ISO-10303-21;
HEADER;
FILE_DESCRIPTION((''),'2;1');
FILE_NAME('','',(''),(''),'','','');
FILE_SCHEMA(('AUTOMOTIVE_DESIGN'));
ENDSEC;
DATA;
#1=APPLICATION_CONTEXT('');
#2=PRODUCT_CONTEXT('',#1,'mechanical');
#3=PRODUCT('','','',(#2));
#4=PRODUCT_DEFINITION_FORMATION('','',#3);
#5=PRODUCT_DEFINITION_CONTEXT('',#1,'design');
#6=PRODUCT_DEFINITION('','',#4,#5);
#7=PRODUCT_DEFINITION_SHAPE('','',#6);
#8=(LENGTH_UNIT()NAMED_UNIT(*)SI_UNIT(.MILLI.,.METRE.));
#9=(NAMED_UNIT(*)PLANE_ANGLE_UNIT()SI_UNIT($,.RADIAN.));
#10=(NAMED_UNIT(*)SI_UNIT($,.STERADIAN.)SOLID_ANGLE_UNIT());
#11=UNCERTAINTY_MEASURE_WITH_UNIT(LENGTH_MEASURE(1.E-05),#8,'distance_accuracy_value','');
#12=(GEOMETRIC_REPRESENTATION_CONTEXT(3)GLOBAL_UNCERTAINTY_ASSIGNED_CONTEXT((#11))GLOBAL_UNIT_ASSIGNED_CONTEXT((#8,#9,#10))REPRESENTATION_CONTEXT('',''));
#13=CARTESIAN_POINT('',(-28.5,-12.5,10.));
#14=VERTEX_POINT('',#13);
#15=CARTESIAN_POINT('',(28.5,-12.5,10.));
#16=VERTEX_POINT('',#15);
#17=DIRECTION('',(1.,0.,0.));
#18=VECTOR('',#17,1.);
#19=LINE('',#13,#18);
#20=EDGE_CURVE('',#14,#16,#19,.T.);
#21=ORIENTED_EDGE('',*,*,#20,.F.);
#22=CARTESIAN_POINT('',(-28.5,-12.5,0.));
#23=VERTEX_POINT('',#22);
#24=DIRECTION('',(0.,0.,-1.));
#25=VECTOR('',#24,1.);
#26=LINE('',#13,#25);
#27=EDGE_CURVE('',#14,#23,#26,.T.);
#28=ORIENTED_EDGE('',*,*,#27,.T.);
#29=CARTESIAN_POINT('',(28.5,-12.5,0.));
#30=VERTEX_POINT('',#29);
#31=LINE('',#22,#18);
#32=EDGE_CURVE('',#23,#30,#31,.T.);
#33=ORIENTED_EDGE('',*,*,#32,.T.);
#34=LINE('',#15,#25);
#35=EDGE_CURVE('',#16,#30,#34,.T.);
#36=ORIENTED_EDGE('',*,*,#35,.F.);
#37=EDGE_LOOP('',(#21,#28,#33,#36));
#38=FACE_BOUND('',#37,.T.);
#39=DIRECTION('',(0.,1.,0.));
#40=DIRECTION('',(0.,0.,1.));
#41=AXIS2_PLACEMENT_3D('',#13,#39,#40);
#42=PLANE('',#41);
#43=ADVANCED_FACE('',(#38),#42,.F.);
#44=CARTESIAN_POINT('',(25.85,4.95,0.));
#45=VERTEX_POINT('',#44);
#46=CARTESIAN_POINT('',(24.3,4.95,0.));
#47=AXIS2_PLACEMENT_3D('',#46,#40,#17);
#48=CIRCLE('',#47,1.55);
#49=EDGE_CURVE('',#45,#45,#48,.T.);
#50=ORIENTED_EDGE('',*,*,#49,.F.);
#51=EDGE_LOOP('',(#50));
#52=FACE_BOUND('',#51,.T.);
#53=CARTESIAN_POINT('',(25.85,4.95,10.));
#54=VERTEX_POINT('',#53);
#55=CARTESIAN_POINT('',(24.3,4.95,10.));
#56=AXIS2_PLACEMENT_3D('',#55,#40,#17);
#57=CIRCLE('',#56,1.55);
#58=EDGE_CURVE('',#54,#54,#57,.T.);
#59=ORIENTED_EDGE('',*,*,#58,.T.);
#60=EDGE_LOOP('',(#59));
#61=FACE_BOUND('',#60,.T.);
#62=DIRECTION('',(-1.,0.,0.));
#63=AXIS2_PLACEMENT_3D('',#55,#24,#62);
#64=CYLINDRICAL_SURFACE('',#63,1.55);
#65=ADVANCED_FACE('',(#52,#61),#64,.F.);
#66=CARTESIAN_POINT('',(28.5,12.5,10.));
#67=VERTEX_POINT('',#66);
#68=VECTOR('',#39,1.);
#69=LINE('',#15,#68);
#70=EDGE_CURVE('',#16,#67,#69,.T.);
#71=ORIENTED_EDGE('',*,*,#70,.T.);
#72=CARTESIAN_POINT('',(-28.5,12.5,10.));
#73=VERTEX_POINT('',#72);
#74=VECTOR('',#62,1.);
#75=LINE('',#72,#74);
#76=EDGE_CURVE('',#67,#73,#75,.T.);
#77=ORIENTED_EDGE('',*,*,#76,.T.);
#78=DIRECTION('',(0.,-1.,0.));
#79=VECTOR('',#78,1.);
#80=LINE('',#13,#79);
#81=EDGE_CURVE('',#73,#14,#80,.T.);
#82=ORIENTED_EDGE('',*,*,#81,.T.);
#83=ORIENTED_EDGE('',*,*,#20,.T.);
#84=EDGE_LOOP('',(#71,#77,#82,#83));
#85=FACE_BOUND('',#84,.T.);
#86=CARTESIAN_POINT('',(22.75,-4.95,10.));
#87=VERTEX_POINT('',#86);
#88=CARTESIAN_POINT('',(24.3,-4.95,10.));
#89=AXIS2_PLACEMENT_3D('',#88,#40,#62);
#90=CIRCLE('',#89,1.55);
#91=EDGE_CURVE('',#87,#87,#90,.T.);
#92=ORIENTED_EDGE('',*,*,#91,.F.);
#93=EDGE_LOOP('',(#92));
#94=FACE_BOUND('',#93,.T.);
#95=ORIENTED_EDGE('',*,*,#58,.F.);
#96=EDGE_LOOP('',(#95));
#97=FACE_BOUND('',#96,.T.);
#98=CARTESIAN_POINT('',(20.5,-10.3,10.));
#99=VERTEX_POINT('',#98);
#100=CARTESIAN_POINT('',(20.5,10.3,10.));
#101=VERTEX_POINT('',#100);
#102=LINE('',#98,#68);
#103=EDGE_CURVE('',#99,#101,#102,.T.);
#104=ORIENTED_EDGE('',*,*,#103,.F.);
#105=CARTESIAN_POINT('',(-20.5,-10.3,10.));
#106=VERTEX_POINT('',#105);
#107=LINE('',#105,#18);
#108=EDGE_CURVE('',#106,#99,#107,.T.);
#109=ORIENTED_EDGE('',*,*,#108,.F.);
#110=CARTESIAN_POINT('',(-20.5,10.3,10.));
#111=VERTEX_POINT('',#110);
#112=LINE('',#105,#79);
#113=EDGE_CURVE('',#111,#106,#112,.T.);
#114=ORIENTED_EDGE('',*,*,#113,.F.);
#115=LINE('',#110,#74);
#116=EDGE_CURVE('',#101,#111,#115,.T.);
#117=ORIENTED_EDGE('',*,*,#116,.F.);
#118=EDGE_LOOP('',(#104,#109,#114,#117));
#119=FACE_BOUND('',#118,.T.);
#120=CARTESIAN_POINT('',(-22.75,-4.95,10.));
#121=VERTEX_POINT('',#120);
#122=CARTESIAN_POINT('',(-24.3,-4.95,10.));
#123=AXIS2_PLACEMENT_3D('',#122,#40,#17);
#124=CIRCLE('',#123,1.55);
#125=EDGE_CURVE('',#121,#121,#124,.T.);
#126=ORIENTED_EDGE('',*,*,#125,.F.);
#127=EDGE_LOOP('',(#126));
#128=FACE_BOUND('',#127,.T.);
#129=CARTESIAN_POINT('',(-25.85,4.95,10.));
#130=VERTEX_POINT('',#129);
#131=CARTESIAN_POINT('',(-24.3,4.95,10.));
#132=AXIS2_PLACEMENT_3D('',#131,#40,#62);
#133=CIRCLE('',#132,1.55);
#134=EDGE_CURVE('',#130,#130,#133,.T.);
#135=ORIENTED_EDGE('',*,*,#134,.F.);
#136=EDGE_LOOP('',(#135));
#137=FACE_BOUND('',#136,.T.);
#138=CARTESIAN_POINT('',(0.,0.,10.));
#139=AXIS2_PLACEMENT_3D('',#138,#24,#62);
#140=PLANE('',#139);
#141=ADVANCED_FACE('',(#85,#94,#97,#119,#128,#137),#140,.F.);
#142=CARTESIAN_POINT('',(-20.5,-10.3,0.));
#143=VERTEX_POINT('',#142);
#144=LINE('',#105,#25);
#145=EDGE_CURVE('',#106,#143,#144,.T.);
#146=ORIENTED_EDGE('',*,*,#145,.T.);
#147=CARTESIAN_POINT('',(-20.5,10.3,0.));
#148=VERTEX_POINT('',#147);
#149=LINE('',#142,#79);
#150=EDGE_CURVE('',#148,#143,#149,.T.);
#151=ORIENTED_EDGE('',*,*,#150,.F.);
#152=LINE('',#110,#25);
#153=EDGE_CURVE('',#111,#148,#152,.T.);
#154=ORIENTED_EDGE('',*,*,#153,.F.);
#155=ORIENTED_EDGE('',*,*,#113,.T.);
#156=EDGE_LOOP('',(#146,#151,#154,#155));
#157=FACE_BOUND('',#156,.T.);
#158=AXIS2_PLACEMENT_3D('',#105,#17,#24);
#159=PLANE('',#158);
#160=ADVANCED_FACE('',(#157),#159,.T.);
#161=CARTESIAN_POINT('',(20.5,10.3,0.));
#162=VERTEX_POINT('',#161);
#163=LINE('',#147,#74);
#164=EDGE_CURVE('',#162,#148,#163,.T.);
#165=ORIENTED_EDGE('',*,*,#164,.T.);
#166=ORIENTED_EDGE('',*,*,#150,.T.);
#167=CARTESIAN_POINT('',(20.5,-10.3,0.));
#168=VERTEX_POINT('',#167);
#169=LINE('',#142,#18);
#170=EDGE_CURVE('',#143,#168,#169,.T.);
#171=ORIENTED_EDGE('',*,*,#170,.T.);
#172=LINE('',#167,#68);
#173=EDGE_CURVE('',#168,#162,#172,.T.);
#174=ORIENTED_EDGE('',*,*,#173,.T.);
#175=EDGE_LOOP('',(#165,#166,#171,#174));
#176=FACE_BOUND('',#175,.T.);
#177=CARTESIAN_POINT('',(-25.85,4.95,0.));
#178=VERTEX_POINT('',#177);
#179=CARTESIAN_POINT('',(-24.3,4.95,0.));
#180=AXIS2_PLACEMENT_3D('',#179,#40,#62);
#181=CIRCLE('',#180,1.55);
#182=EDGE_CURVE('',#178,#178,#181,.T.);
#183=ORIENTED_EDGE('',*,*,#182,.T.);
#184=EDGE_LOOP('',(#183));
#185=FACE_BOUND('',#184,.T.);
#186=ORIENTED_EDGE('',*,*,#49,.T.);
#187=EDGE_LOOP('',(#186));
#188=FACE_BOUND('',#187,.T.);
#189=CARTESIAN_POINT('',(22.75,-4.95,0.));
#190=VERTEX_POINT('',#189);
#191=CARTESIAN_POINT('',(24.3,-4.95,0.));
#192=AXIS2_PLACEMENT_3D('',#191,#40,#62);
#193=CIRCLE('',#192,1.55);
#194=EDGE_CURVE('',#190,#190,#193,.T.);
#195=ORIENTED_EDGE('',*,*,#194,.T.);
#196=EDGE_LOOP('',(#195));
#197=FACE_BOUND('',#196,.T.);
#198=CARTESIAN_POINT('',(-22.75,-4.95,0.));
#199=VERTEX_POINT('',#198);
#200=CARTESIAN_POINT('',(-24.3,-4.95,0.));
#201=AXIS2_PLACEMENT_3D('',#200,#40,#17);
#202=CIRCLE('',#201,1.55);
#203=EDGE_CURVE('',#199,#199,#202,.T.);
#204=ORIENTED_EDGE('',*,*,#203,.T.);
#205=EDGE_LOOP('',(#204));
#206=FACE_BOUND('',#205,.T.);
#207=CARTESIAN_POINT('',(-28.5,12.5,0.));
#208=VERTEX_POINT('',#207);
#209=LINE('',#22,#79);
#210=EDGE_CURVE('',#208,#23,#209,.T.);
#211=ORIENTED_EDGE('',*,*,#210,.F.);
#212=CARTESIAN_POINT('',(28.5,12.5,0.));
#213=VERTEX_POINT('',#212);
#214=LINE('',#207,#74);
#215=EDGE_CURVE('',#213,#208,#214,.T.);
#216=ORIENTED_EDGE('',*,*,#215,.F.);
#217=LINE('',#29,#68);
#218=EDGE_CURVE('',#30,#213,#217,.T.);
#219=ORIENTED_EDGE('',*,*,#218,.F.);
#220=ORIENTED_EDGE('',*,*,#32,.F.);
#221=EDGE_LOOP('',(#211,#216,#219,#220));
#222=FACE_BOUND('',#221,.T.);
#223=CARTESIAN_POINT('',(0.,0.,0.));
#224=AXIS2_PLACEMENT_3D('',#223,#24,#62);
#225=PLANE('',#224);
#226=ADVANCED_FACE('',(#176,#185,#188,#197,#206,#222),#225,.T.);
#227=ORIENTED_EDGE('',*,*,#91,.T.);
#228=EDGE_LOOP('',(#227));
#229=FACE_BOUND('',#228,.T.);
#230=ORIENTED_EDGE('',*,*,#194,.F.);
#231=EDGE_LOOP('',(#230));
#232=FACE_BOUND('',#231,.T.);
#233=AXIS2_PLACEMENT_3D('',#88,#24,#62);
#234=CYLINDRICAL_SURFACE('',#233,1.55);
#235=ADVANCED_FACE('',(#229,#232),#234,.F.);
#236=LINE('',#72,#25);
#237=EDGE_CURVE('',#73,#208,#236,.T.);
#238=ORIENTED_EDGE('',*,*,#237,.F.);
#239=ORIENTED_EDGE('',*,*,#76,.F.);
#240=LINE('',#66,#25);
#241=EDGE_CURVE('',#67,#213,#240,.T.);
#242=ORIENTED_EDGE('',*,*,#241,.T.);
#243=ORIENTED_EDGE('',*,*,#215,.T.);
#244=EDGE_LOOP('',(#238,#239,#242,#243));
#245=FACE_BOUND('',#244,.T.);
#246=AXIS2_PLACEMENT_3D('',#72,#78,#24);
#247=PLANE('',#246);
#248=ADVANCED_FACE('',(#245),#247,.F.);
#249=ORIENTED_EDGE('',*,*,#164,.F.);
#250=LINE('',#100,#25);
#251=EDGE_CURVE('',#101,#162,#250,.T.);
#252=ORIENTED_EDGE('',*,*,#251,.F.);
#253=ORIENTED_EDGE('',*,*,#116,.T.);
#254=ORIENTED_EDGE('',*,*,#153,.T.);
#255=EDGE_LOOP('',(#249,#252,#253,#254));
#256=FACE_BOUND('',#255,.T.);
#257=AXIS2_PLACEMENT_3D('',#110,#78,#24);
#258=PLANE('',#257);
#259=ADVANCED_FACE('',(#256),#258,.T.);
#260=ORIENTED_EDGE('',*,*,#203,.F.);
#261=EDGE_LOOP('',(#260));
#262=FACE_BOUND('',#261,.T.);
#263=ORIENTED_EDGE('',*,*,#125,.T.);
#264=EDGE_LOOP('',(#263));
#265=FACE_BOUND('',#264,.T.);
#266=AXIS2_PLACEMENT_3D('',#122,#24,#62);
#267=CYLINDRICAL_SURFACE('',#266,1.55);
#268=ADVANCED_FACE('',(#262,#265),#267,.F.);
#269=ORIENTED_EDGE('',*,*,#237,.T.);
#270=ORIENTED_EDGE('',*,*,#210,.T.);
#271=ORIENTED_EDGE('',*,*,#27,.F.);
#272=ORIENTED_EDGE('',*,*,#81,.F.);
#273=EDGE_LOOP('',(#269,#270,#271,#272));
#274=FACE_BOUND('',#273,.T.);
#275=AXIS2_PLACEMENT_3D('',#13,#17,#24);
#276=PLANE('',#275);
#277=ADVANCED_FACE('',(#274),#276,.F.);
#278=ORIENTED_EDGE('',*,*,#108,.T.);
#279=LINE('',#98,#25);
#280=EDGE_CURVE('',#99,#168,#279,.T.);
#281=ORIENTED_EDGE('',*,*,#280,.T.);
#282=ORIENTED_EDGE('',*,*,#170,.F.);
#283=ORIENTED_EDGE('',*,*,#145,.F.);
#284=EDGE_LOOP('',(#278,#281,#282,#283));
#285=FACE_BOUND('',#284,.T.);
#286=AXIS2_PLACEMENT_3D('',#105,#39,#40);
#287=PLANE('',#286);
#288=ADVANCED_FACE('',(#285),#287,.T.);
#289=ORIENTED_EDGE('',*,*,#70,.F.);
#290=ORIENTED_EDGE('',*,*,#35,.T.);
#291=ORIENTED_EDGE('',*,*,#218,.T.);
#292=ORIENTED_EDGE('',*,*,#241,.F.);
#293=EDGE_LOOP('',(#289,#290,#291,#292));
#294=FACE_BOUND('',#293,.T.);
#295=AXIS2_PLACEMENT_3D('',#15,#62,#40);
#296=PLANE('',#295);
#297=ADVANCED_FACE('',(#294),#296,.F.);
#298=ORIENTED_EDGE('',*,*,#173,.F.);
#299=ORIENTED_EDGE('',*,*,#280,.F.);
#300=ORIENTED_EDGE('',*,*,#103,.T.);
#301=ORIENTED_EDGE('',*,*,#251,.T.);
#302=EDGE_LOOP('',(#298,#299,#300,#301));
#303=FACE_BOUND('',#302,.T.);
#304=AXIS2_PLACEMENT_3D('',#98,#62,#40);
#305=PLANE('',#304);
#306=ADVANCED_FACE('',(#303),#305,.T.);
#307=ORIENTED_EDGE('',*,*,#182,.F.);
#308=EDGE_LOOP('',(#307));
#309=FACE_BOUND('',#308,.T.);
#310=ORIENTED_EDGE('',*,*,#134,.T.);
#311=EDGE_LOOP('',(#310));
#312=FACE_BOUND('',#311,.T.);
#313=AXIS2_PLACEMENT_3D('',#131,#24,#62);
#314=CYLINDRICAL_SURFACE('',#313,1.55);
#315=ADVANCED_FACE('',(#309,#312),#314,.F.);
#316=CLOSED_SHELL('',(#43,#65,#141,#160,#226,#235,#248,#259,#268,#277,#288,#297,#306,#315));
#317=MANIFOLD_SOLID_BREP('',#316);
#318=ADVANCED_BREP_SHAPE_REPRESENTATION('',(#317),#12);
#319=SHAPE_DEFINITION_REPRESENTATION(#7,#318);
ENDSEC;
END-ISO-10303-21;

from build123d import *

# Parameters (mm, degrees)
SKETCH_1_W      = 57
SKETCH_1_H      = 25
SKETCH_1_R      = 1.55
SKETCH_1_W_2    = 41
SKETCH_1_H_2    = 20.6
EXTRUDE_1_DEPTH = 10


with BuildPart() as part:
    # 草图1 → 凸台-拉伸1 (new body)
    with BuildSketch(Plane.XY):
        Rectangle(SKETCH_1_W, SKETCH_1_H)
        with Locations((24.3, 4.95)):
            Circle(SKETCH_1_R, mode=Mode.SUBTRACT)
        with Locations(Location((-24.3, 4.95, 0), (0, 0, 180))):
            Circle(SKETCH_1_R, mode=Mode.SUBTRACT)
        with Locations((-24.3, -4.95)):
            Circle(SKETCH_1_R, mode=Mode.SUBTRACT)
        with Locations(Location((24.3, -4.95, 0), (0, 0, 180))):
            Circle(SKETCH_1_R, mode=Mode.SUBTRACT)
        Rectangle(SKETCH_1_W_2, SKETCH_1_H_2, mode=Mode.SUBTRACT)
    extrude(amount=EXTRUDE_1_DEPTH)


solid = part.part
